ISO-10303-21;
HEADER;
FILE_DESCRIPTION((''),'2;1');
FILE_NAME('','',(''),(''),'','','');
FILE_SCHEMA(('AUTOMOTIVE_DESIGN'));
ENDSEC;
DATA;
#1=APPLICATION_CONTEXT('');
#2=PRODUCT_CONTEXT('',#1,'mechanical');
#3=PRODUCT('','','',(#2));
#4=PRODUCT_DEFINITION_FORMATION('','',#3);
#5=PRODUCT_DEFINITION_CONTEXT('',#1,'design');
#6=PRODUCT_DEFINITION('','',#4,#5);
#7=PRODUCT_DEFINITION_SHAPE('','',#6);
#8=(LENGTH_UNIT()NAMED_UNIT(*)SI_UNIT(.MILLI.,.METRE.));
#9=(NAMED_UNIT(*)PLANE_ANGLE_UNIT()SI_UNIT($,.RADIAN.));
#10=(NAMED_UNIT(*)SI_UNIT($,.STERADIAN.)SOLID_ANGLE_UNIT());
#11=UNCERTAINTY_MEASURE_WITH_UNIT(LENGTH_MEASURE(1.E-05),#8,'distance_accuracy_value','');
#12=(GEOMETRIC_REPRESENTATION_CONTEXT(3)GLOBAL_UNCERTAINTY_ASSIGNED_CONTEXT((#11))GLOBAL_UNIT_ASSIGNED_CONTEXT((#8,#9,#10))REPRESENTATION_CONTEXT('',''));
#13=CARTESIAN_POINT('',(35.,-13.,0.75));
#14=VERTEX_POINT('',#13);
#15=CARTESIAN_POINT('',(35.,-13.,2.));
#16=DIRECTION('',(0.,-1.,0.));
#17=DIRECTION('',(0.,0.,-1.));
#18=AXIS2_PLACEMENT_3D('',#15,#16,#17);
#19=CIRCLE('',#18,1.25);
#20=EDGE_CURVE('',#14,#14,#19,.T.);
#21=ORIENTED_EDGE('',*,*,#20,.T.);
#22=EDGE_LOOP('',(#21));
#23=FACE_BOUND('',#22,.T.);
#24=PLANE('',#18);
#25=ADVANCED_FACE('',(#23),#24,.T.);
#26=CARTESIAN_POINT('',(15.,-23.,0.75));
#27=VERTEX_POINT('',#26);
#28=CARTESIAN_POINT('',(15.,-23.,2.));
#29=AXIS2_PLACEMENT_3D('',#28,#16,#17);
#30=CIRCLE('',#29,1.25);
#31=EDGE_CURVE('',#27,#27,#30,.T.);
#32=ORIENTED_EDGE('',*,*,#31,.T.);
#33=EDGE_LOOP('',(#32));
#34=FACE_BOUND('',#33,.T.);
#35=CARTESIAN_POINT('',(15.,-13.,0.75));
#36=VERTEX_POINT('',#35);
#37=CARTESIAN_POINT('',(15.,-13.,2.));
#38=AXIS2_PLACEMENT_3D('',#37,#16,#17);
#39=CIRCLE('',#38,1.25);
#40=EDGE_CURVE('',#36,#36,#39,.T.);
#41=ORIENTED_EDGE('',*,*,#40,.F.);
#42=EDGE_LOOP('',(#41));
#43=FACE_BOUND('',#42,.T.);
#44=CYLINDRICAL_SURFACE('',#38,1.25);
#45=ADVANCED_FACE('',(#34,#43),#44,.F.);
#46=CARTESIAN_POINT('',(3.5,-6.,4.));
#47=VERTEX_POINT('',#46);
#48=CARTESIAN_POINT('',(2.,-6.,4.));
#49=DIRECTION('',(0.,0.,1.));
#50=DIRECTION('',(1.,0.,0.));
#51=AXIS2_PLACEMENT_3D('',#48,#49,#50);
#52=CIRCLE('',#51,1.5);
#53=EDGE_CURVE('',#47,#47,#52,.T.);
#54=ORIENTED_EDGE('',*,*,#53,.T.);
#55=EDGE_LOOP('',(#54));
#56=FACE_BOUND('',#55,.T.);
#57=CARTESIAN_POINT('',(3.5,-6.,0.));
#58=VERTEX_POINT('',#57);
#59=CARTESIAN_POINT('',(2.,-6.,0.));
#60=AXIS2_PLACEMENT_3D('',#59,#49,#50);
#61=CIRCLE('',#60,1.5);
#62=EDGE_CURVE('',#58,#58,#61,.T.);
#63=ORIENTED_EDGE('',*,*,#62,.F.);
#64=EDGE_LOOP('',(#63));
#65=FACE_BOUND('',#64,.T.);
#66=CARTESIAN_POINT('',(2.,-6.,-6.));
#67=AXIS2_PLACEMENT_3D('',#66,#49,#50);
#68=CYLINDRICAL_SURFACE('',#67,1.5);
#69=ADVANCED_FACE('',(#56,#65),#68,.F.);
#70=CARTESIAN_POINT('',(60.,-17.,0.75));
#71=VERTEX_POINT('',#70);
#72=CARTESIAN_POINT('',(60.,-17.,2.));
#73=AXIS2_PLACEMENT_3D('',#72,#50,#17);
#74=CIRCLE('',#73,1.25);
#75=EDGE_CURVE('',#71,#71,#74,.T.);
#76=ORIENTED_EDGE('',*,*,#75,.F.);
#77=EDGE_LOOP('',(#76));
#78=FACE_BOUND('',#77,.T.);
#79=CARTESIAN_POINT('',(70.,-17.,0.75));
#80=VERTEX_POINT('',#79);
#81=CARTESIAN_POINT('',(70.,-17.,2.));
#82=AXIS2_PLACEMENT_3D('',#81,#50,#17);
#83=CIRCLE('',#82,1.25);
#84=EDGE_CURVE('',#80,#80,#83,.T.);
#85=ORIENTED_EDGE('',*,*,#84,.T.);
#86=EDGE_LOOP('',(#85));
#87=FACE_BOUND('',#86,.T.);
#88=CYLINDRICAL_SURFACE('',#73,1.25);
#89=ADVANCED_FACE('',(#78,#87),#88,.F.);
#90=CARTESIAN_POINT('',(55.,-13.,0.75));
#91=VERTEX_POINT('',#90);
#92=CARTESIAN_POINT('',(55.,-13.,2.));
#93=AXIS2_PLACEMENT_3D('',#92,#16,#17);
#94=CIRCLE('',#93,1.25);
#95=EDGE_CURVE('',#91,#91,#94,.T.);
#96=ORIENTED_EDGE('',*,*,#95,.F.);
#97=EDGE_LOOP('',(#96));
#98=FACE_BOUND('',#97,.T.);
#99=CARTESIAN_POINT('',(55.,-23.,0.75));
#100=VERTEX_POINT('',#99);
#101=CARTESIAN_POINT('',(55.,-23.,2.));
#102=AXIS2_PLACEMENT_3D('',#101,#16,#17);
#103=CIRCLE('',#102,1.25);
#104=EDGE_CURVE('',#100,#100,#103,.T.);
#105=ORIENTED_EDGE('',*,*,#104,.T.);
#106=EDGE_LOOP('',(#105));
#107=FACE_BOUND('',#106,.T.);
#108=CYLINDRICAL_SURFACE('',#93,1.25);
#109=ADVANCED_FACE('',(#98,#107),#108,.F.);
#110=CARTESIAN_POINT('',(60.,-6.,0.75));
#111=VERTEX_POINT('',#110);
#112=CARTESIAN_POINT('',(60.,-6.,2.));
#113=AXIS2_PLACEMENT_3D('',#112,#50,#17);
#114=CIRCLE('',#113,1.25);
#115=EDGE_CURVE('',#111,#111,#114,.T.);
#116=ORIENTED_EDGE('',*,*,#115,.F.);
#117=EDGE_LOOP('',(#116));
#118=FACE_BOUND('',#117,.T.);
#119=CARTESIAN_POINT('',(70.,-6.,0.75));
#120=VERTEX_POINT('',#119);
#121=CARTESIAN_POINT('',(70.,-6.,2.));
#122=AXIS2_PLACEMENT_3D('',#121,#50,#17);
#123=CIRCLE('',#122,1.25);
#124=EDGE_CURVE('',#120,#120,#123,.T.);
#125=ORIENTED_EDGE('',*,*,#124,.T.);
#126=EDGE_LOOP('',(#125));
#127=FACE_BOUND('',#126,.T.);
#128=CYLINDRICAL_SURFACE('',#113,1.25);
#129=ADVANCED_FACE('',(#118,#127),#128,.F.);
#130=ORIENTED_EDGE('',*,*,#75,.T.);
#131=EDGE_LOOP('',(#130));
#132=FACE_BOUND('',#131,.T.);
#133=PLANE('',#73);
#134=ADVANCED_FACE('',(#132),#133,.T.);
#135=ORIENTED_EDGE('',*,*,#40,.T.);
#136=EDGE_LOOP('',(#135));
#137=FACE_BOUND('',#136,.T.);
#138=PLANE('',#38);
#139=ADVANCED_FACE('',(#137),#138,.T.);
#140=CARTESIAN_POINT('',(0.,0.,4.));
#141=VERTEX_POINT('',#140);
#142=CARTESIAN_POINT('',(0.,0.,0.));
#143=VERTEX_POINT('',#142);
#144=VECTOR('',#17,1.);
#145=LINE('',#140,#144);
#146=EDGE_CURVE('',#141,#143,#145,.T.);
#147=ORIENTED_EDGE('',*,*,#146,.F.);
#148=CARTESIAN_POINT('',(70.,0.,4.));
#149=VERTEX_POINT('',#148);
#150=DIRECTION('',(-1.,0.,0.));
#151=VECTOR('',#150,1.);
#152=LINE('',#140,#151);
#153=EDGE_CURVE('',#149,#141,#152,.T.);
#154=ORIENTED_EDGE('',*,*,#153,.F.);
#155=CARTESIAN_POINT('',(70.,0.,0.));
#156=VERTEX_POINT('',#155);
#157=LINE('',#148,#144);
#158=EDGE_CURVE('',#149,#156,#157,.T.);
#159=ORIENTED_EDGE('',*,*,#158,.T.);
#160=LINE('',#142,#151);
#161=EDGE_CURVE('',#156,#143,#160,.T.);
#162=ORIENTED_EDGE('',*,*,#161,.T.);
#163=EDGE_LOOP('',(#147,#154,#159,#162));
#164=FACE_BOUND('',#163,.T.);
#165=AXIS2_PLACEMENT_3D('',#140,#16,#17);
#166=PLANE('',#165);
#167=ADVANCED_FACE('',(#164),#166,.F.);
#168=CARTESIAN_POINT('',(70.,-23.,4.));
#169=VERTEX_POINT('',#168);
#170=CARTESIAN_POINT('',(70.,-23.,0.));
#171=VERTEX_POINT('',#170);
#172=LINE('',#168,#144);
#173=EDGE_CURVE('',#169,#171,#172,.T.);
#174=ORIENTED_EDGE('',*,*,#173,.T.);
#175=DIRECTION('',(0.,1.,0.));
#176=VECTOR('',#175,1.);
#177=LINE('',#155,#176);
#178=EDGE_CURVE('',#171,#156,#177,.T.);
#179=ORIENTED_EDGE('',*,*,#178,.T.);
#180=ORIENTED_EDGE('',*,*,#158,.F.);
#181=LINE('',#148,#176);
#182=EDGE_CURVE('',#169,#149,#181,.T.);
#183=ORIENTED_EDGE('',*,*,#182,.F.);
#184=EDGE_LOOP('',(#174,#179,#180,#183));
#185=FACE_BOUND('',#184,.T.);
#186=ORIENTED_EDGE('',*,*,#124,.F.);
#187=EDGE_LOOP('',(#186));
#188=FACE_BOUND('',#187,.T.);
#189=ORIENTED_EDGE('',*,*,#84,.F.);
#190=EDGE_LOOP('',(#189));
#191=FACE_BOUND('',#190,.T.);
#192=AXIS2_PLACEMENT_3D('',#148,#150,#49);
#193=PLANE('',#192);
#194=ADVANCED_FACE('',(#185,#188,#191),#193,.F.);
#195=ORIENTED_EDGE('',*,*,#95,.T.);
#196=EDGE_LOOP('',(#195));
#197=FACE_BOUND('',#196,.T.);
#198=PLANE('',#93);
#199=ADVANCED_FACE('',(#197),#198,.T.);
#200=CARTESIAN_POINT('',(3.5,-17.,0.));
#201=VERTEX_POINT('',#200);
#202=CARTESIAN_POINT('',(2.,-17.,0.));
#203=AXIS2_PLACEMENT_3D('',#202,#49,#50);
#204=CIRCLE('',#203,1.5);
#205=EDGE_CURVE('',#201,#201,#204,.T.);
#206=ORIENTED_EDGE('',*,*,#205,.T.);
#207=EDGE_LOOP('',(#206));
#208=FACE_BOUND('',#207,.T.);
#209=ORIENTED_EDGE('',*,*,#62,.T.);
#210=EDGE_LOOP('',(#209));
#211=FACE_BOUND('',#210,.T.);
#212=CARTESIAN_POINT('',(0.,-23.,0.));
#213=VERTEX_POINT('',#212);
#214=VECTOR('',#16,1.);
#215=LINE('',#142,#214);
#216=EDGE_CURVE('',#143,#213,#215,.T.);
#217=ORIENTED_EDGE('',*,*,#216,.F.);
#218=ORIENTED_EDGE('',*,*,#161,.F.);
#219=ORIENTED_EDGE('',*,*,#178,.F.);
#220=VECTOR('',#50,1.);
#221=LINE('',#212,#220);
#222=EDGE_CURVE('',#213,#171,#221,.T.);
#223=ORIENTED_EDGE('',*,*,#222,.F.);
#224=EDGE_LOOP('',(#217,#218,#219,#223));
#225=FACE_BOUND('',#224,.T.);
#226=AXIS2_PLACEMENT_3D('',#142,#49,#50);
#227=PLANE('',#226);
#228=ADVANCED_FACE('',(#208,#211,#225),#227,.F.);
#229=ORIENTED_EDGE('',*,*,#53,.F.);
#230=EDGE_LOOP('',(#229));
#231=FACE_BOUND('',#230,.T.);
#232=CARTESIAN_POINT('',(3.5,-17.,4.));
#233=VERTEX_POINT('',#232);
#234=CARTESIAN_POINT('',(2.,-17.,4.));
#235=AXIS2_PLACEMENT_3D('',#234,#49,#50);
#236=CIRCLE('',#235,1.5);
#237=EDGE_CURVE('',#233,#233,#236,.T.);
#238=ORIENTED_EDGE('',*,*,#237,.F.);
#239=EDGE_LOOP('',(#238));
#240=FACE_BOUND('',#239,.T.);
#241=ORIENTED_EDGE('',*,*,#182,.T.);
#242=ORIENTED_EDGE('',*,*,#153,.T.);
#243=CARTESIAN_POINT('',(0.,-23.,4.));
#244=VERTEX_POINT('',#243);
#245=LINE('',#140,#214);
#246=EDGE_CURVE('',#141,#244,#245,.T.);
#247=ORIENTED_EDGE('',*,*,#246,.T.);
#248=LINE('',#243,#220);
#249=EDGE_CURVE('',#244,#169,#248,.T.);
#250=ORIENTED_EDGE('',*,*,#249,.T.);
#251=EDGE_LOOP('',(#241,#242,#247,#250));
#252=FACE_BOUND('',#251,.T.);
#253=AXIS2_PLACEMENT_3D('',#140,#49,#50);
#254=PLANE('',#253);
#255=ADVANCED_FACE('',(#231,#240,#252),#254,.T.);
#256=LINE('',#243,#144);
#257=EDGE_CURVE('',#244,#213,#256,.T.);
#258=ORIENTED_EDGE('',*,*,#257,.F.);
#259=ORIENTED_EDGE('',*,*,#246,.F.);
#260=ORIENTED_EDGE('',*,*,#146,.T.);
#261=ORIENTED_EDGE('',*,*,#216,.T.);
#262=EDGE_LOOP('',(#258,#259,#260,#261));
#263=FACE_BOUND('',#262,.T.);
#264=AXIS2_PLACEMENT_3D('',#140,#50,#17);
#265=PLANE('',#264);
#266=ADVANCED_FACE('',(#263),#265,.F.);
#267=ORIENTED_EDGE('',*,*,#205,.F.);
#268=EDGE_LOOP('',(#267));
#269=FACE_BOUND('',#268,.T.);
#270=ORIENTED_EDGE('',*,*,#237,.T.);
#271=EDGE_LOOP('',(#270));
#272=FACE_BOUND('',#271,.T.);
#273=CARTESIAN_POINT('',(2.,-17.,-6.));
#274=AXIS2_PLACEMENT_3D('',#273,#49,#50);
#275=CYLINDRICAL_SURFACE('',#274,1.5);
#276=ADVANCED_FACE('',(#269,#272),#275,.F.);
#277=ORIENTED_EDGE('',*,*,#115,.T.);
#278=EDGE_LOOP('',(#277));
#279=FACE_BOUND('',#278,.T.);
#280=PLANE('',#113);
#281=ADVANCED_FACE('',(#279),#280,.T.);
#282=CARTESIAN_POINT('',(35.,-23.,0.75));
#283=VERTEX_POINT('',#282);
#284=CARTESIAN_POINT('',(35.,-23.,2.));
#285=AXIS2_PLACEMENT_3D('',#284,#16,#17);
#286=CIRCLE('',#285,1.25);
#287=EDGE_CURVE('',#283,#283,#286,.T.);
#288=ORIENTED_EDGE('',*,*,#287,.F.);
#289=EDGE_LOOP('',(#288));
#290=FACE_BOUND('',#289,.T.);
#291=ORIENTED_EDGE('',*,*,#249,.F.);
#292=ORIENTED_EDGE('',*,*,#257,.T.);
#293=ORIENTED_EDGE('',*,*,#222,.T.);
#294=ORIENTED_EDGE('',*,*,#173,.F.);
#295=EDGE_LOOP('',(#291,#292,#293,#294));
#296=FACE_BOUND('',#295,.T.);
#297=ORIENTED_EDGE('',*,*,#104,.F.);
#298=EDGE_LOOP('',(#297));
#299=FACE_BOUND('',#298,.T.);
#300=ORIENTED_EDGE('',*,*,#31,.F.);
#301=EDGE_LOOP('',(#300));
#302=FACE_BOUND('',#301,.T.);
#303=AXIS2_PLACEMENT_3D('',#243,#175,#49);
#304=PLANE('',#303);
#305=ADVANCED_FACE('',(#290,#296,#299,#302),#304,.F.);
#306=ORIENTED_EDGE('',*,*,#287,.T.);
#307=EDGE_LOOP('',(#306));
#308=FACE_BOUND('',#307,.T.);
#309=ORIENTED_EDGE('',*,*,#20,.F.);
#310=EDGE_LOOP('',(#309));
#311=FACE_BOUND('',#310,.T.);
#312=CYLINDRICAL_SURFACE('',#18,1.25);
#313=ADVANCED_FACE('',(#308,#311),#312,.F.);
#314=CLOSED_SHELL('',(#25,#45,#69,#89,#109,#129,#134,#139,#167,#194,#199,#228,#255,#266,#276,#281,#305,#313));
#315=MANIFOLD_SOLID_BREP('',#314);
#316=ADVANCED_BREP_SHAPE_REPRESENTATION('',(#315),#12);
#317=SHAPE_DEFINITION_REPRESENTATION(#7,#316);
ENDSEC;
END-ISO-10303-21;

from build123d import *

# Parameters (mm, degrees)
ESBO_O1_W                = 70
ESBO_O1_H                = 23
RESSALTO_EXTRUS_O1_DEPTH = 4
ESBO_O2_R                = 1.25
CORTE_EXTRUS_O1_DEPTH    = 10
ESBO_O3_R                = 1.25
CORTE_EXTRUS_O2_DEPTH    = 10
ESBO_O4_R                = 1.5
CORTE_EXTRUS_O3_DEPTH    = 10


with BuildPart() as part:
    # Esboço1 → Ressalto-extrusão1 (new body)
    with BuildSketch(Plane.XY):
        with Locations((35, -11.5)):
            Rectangle(ESBO_O1_W, ESBO_O1_H)
    extrude(amount=RESSALTO_EXTRUS_O1_DEPTH)

    # Esboço2 → Corte-extrusão1 (cut)
    with BuildSketch(Plane(origin=(70, 0, 0), x_dir=(0, 0, -1), z_dir=(1, 0, 0))):
        with Locations((-2, -6)):
            Circle(ESBO_O2_R)
        with Locations((-2, -17)):
            Circle(ESBO_O2_R)
    extrude(amount=-CORTE_EXTRUS_O1_DEPTH, mode=Mode.SUBTRACT)

    # Esboço3 → Corte-extrusão2 (cut)
    with BuildSketch(Plane(origin=(0, -23, 0), x_dir=(-1, 0, 0), z_dir=(0, -1, 0))):
        with Locations((-15, -2)):
            Circle(ESBO_O3_R)
        with Locations((-35, -2)):
            Circle(ESBO_O3_R)
        with Locations((-55, -2)):
            Circle(ESBO_O3_R)
    extrude(amount=-CORTE_EXTRUS_O2_DEPTH, mode=Mode.SUBTRACT)

    # Esboço4 → Corte-extrusão3 (cut)
    with BuildSketch(Plane.XY.offset(4)):
        with Locations((2, -6)):
            Circle(ESBO_O4_R)
        with Locations((2, -17)):
            Circle(ESBO_O4_R)
    extrude(amount=-CORTE_EXTRUS_O3_DEPTH, mode=Mode.SUBTRACT)


solid = part.part
